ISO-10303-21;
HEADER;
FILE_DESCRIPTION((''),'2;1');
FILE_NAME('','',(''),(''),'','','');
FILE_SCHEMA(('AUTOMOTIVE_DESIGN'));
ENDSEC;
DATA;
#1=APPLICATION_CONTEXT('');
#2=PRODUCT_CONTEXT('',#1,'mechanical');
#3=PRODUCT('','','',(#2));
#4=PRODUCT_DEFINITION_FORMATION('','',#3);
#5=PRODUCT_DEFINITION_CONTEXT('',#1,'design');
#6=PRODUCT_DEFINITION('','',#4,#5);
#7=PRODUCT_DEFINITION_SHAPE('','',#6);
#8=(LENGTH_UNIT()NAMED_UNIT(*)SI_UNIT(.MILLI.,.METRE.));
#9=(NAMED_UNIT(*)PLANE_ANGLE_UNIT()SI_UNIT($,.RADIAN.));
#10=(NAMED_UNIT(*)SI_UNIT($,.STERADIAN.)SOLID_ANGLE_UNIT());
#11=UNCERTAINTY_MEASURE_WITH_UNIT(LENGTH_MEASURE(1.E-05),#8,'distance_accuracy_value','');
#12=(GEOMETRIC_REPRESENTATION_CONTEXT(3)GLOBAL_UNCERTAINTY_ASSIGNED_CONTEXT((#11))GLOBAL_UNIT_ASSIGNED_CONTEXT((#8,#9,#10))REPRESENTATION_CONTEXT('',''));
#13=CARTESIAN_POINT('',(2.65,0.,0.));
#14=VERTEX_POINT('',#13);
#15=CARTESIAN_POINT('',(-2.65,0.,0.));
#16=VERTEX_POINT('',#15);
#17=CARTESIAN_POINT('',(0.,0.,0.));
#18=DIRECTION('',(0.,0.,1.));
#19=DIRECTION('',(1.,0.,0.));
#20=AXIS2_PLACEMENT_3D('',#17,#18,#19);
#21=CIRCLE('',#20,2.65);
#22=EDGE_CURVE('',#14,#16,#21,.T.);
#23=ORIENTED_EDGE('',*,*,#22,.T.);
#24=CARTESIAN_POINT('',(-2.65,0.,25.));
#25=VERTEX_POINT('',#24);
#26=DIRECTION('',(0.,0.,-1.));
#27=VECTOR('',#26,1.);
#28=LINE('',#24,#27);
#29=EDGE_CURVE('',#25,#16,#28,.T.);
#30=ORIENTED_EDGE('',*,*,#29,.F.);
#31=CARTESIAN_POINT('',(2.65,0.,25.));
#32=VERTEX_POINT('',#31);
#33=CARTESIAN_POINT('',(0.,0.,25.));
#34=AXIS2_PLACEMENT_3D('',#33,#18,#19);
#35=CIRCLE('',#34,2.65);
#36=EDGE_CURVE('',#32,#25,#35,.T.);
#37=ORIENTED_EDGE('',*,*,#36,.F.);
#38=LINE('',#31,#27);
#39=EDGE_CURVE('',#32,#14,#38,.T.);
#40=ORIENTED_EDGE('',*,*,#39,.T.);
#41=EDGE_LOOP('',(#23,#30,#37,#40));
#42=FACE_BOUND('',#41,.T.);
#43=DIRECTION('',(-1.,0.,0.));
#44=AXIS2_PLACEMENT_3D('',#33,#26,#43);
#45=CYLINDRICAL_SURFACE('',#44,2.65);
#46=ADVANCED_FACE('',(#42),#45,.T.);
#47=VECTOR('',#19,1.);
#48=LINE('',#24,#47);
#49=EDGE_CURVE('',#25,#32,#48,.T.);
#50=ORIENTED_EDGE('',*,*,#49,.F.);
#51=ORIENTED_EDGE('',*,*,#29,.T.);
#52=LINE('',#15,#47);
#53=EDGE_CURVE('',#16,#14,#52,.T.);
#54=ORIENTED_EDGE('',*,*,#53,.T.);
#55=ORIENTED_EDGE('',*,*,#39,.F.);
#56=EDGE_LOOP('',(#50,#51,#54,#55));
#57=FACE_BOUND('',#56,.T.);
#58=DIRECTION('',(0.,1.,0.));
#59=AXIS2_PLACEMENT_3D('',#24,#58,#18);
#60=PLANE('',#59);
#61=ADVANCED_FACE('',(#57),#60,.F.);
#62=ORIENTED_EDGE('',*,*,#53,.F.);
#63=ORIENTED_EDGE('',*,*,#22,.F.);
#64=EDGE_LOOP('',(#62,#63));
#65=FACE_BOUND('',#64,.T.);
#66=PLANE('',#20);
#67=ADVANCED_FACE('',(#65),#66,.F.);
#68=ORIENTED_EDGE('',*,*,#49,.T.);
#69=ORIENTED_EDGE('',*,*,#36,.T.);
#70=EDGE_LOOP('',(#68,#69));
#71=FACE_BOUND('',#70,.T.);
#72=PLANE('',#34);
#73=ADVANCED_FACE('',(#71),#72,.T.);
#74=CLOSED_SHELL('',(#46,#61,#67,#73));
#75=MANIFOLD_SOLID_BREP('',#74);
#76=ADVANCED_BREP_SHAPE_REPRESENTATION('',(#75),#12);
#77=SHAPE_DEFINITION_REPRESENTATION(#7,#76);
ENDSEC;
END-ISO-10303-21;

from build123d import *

# Parameters (mm, degrees)
BOSS_EXTRUDE1_DEPTH = 25


with BuildPart() as part:
    # Sketch1 → Boss-Extrude1 (new body)
    with BuildSketch(Plane.XY):
        with BuildLine():
            Line((-2.65, 0), (2.65, 0))
            ThreePointArc((2.65, 0), (0, 2.65), (-2.65, 0))
        make_face()
    extrude(amount=BOSS_EXTRUDE1_DEPTH)


solid = part.part
